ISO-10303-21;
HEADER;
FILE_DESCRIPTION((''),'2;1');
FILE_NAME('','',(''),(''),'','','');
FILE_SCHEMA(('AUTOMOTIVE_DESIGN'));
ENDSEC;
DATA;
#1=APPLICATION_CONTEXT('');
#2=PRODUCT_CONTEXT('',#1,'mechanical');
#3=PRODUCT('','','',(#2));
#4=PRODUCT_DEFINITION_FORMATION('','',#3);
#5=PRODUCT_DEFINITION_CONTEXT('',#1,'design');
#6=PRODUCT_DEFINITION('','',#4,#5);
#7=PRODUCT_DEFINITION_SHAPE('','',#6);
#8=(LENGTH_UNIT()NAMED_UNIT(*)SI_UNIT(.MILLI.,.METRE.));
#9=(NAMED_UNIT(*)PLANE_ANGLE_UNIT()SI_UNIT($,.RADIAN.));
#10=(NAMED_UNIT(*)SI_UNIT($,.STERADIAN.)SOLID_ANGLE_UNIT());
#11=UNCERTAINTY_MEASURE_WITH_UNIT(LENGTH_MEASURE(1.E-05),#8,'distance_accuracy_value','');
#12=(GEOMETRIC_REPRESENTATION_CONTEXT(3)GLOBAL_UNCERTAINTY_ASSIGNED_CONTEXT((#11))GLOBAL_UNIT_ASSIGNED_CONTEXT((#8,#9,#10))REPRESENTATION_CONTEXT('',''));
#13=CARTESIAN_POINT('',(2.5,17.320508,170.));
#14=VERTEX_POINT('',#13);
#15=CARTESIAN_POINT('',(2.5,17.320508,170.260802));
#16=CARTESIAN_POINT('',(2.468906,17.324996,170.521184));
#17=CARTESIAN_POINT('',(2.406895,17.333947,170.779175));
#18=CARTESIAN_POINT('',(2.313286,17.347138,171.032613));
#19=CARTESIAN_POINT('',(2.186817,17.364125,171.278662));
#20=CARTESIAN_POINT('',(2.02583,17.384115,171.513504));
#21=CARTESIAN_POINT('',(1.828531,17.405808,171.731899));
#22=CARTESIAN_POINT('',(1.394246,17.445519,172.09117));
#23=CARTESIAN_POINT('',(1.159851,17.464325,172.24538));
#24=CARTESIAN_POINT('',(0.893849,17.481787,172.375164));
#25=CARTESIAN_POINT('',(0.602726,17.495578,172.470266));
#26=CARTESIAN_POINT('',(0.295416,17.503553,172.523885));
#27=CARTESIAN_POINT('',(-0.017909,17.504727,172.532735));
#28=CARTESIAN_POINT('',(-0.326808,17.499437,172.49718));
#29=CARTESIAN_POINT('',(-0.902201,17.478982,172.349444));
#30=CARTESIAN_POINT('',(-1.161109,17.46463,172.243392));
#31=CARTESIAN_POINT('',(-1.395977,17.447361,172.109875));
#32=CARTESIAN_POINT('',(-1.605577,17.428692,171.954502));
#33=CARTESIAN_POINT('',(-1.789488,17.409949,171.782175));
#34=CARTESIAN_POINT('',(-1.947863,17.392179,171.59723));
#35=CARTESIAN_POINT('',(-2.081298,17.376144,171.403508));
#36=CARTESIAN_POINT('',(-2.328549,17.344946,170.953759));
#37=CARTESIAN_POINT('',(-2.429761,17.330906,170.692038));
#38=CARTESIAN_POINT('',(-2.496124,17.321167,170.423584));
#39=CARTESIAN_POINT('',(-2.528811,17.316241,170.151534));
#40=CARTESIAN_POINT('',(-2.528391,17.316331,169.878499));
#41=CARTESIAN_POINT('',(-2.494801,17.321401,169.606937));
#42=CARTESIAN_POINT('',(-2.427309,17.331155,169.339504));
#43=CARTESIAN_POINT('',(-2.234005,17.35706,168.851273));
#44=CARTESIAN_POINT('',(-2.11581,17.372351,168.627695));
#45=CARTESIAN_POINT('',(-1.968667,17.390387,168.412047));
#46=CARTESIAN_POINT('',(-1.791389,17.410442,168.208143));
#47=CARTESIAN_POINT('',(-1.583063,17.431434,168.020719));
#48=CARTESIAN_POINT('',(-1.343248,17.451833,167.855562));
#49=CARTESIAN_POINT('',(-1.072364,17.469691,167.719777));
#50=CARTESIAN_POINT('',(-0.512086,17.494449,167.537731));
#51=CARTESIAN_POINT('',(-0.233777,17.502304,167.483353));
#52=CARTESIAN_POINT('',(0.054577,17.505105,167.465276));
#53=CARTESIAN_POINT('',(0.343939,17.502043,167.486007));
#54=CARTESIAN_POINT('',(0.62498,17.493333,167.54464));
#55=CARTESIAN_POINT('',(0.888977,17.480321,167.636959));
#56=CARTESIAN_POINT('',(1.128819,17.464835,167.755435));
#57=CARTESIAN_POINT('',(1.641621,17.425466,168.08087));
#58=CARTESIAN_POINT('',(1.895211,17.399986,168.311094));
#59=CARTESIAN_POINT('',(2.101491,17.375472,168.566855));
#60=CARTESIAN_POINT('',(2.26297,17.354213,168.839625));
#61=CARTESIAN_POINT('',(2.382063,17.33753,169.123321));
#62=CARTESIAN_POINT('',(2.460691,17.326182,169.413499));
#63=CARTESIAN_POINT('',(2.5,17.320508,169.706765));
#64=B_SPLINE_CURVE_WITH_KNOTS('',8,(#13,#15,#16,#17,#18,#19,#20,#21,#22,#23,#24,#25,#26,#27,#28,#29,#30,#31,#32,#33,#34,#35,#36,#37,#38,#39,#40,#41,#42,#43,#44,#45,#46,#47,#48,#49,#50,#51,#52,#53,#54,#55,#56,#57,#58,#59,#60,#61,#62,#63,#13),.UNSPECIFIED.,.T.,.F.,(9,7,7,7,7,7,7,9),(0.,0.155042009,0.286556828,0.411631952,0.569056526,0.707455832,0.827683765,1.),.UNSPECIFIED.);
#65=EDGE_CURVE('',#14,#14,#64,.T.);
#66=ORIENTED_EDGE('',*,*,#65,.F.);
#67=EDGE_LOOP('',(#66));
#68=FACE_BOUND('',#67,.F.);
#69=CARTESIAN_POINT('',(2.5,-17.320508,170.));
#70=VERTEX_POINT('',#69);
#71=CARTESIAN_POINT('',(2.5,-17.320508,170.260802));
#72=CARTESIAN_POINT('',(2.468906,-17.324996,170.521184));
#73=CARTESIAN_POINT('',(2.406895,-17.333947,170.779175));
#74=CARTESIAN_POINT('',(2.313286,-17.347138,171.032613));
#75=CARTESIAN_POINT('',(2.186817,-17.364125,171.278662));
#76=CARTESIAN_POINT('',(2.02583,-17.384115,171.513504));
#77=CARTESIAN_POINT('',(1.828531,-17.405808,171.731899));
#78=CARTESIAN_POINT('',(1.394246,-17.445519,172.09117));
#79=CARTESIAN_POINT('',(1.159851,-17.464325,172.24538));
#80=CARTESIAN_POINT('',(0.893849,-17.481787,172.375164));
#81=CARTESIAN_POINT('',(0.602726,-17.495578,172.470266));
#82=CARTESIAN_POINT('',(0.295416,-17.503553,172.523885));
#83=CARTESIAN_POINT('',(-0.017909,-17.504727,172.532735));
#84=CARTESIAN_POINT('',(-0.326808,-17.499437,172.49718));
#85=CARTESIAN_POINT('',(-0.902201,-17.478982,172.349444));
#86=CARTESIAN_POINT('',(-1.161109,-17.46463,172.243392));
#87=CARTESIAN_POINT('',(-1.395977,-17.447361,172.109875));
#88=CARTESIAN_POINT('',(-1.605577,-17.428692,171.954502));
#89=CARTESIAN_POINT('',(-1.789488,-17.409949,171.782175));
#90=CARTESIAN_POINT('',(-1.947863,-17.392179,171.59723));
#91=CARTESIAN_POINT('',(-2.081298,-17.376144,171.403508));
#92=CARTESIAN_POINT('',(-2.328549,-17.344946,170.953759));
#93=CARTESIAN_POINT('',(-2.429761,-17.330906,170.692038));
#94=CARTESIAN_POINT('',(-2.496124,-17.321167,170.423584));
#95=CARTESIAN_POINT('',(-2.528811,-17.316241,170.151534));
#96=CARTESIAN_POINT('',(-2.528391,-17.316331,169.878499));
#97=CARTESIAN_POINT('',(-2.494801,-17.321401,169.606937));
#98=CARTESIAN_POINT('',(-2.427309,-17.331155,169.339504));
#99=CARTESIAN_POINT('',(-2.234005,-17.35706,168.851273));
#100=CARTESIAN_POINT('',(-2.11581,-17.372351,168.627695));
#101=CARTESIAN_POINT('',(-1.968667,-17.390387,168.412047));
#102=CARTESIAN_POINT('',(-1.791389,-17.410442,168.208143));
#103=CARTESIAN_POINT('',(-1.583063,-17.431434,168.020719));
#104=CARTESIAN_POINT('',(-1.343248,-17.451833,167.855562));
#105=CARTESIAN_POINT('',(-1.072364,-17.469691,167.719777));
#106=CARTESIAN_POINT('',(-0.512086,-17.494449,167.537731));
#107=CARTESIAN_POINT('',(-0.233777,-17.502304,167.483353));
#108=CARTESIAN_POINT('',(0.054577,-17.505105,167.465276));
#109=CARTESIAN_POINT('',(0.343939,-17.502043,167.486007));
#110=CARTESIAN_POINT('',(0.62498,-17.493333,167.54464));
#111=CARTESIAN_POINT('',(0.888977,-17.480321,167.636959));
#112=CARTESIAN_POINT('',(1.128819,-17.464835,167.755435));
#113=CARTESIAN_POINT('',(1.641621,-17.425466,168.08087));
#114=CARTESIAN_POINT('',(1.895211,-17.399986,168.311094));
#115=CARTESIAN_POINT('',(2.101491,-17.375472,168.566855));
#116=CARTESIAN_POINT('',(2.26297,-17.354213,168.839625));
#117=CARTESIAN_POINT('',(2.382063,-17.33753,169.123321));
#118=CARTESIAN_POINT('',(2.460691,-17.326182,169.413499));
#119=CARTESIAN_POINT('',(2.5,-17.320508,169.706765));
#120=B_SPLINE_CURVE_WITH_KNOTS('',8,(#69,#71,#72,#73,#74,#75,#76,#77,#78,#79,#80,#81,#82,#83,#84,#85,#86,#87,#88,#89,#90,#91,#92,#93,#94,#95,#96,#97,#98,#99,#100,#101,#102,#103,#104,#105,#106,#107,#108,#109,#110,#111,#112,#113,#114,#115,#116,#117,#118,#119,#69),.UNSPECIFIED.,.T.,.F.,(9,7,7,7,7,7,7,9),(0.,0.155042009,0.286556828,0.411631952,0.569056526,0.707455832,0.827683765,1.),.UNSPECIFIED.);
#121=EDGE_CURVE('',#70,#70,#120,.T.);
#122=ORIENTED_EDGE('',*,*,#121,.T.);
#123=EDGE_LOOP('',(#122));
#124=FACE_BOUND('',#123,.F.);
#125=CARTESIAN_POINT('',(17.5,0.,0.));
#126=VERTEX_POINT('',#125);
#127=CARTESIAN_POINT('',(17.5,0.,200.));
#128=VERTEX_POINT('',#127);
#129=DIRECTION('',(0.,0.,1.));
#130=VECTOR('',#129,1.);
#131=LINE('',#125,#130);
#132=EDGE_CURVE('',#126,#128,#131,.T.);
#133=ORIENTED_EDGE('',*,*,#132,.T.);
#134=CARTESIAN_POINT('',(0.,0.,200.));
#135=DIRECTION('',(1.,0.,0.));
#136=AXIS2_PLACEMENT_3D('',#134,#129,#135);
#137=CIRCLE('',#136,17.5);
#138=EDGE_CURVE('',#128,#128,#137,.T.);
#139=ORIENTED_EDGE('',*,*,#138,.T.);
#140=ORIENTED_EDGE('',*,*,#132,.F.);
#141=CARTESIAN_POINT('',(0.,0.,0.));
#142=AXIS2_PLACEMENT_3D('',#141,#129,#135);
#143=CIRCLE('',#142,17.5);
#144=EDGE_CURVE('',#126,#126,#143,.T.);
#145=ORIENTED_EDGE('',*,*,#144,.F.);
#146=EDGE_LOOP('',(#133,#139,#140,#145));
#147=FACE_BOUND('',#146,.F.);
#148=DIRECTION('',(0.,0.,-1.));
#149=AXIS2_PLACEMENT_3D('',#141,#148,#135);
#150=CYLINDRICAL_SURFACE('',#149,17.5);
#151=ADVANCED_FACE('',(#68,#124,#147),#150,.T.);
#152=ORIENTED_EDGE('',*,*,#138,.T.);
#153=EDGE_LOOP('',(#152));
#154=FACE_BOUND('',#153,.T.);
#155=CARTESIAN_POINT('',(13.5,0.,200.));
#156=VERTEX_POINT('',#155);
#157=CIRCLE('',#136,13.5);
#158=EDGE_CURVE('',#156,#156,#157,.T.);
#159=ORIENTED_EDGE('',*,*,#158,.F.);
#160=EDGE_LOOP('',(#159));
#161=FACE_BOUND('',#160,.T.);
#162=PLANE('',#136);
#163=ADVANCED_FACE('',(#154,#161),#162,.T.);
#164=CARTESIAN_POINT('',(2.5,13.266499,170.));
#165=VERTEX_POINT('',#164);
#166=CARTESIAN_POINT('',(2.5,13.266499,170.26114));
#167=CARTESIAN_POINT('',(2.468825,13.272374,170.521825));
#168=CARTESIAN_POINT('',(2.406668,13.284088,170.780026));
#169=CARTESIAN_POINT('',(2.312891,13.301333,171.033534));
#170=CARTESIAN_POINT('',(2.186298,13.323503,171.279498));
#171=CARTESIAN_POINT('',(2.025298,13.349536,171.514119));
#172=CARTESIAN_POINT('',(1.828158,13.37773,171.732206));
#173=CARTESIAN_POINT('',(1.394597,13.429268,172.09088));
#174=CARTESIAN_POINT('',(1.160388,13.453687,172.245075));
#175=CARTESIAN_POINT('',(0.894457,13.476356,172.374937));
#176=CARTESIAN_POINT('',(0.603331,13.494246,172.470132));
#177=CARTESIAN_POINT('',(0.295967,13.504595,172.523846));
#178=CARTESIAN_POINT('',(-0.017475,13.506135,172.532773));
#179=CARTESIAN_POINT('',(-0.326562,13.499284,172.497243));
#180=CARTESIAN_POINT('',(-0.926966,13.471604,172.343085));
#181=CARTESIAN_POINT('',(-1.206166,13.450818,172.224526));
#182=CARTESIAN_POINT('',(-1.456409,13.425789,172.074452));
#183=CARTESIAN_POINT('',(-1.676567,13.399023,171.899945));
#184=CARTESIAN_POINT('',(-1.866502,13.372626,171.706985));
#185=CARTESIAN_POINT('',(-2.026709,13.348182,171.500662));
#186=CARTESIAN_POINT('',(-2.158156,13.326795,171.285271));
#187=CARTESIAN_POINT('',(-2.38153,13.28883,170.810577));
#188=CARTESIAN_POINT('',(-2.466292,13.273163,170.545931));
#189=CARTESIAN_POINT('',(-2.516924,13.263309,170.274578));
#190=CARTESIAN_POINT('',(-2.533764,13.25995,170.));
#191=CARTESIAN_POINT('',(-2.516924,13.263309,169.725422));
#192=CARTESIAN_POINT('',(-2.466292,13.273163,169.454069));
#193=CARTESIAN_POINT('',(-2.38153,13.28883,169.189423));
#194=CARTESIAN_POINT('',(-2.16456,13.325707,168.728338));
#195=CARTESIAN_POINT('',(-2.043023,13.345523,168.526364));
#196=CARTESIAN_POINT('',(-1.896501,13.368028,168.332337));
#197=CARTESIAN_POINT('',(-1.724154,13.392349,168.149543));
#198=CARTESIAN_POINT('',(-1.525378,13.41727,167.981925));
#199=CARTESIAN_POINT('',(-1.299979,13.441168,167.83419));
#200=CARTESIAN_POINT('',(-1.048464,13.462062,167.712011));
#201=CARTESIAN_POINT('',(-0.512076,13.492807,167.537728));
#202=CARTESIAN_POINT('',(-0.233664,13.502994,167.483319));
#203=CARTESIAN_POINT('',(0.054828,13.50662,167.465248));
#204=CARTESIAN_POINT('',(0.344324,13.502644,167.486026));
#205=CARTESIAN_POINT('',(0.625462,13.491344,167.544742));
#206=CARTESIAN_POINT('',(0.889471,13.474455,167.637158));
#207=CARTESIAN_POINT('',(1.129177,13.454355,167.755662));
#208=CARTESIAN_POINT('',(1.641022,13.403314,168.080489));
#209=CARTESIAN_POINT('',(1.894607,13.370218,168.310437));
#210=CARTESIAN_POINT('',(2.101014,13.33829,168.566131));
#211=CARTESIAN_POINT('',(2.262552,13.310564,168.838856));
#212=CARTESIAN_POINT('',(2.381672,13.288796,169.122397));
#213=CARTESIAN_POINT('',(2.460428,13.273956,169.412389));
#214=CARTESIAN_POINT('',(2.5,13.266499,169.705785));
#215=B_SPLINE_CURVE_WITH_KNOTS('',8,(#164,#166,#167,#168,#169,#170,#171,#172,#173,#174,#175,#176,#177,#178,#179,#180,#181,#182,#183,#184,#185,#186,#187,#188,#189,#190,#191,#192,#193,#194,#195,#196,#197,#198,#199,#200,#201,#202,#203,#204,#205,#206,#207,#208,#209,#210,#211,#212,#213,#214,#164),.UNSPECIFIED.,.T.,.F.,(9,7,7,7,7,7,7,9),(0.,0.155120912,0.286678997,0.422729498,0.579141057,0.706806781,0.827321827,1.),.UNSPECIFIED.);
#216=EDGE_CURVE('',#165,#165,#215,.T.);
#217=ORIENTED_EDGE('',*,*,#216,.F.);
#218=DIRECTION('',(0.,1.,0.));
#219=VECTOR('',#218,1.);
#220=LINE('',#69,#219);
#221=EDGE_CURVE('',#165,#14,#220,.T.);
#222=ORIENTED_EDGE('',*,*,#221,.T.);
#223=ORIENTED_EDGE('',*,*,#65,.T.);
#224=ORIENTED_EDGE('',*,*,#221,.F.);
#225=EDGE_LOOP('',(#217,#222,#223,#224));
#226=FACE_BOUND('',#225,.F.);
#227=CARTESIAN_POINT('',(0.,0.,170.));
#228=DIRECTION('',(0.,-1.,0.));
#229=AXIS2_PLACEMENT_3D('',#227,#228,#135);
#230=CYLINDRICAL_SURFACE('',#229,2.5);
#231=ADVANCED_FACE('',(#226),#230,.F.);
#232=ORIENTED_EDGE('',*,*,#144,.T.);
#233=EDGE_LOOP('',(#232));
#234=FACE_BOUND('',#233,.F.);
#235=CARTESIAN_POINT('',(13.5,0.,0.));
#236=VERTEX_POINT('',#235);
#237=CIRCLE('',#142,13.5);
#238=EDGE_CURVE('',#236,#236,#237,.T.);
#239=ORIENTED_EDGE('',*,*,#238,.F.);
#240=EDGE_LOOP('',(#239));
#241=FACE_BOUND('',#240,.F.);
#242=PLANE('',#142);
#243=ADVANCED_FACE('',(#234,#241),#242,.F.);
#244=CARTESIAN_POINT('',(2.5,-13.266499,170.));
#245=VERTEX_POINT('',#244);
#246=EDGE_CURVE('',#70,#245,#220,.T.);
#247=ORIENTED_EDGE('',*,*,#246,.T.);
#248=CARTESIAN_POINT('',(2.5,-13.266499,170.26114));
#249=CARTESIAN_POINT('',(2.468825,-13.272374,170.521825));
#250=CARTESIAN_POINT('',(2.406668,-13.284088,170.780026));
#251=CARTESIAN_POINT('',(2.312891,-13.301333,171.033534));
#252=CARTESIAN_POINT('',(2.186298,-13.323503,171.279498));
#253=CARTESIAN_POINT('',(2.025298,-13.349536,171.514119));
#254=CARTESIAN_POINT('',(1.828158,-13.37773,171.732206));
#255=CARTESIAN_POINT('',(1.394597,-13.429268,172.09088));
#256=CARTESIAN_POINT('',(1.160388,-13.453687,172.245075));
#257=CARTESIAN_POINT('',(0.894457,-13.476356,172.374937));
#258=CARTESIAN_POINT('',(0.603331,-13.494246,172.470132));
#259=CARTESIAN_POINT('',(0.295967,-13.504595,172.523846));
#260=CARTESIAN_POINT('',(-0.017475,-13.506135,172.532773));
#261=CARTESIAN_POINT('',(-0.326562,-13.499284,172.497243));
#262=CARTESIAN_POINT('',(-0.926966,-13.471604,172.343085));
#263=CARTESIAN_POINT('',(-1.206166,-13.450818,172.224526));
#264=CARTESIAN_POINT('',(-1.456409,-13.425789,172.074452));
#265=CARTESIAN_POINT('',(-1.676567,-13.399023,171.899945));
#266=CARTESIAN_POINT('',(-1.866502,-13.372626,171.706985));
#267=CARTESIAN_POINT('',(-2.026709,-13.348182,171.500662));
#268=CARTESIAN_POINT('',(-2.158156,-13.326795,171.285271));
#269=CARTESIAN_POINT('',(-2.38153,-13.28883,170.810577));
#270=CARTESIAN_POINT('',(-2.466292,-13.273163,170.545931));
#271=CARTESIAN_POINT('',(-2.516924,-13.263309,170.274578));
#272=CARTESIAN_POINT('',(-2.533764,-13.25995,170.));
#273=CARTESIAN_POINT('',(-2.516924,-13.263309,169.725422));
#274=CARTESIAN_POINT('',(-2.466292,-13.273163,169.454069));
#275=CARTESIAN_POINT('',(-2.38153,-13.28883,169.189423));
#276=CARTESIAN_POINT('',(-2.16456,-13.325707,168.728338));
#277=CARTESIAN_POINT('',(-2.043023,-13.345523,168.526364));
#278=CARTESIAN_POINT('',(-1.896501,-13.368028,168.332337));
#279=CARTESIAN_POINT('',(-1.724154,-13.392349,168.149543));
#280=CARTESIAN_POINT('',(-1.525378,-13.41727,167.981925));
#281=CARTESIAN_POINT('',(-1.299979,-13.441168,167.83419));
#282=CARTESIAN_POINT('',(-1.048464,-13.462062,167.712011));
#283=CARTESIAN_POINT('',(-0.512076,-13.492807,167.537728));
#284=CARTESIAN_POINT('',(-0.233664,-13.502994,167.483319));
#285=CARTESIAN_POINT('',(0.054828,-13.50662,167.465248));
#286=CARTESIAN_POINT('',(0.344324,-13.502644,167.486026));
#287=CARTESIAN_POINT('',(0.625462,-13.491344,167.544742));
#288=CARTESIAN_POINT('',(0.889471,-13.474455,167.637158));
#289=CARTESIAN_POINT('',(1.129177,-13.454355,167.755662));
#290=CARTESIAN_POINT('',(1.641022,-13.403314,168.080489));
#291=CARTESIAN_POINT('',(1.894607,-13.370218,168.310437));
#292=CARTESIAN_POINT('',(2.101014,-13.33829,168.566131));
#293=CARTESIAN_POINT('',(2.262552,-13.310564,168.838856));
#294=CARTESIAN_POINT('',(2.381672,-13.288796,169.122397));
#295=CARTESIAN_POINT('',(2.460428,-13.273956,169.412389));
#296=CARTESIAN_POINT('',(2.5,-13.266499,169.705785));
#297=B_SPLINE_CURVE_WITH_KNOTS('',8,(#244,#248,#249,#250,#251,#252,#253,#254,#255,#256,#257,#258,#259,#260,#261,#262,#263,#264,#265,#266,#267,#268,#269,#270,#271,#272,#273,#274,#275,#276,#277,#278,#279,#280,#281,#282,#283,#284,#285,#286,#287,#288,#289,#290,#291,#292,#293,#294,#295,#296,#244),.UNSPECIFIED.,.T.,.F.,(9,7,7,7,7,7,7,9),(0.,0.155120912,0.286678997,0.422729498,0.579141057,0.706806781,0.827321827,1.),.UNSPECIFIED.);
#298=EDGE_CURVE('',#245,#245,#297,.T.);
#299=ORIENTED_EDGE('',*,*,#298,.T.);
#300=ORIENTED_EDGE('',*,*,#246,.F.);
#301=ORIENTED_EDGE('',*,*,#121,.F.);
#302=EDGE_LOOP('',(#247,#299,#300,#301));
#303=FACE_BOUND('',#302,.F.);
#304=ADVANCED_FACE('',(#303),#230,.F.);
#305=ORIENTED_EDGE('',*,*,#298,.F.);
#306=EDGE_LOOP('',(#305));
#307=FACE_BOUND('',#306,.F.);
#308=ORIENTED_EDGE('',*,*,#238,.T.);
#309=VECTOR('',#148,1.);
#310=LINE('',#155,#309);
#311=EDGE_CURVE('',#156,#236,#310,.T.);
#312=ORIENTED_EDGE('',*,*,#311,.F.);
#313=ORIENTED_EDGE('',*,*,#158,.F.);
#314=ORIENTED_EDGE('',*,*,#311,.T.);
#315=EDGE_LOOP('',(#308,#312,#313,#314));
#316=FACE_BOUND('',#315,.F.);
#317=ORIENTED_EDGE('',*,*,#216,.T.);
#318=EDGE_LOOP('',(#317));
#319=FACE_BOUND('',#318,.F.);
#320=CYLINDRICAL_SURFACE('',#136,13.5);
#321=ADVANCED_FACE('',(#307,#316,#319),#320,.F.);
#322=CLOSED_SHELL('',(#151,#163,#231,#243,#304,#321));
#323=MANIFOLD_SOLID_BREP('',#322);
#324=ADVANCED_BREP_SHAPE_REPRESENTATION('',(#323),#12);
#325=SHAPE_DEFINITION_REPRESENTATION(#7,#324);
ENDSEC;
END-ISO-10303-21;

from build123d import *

# Parameters (mm, degrees)
F0_R          = 17.5
F1_DEPTH      = 200
F2_R          = 2.5
F3_DEPTH      = 25
F3_DEPTH_BACK = 25
F4_R          = 13.5
F5_DEPTH      = 1022


with BuildPart() as f1:
    # F0 (on Top) → F1 (new body)
    with BuildSketch(Plane.XY):
        Circle(F0_R)
    extrude(amount=F1_DEPTH)

    # F2 (on Front) → F3 (cut, two sides)
    with BuildSketch(Plane.XZ) as f3_sk:
        with Locations((0, 170)):
            Circle(F2_R)
    extrude(amount=-F3_DEPTH, mode=Mode.SUBTRACT)
    extrude(f3_sk.sketch, amount=F3_DEPTH_BACK, mode=Mode.SUBTRACT)

    # F4 (on face) → F5 (cut)
    with BuildSketch(Plane.XY.offset(200)):
        Circle(F4_R)
    extrude(amount=-F5_DEPTH, mode=Mode.SUBTRACT)


solid = f1.part
